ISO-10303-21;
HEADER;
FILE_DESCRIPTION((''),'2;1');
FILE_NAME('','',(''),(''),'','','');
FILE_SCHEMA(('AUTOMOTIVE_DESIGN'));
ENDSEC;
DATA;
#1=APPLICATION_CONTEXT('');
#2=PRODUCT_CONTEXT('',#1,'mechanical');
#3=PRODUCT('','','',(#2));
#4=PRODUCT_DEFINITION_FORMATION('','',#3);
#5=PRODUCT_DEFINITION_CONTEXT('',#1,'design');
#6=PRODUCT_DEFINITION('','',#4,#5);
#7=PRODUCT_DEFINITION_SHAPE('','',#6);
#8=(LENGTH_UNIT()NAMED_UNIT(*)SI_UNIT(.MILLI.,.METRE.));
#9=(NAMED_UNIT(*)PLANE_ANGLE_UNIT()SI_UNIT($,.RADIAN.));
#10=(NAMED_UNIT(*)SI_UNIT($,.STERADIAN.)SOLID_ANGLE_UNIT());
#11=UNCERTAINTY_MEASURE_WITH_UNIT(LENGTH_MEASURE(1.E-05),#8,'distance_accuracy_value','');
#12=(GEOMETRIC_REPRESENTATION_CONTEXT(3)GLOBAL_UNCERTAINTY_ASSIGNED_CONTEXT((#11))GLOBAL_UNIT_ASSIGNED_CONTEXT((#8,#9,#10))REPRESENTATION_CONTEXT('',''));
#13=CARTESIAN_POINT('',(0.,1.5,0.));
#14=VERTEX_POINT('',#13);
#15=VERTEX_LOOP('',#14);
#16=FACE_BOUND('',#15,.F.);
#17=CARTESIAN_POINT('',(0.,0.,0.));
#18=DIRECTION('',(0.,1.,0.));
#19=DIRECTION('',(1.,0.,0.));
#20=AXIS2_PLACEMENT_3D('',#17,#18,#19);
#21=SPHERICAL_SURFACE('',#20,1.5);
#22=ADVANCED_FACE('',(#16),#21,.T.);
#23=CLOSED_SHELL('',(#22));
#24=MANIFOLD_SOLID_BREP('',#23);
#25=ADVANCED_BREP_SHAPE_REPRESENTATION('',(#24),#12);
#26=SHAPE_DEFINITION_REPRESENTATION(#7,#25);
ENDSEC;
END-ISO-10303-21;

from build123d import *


with BuildPart() as part:
    # Sketch1 → Revolve1 (revolve)
    with BuildSketch(Plane.XY):
        with BuildLine():
            Line((0, 1.5), (0, -1.5))
            ThreePointArc((0, -1.5), (1.5, 0), (0, 1.5))
        make_face()
    revolve(axis=Axis((0, 1.5, 0), (0, -1, 0)))


solid = part.part
